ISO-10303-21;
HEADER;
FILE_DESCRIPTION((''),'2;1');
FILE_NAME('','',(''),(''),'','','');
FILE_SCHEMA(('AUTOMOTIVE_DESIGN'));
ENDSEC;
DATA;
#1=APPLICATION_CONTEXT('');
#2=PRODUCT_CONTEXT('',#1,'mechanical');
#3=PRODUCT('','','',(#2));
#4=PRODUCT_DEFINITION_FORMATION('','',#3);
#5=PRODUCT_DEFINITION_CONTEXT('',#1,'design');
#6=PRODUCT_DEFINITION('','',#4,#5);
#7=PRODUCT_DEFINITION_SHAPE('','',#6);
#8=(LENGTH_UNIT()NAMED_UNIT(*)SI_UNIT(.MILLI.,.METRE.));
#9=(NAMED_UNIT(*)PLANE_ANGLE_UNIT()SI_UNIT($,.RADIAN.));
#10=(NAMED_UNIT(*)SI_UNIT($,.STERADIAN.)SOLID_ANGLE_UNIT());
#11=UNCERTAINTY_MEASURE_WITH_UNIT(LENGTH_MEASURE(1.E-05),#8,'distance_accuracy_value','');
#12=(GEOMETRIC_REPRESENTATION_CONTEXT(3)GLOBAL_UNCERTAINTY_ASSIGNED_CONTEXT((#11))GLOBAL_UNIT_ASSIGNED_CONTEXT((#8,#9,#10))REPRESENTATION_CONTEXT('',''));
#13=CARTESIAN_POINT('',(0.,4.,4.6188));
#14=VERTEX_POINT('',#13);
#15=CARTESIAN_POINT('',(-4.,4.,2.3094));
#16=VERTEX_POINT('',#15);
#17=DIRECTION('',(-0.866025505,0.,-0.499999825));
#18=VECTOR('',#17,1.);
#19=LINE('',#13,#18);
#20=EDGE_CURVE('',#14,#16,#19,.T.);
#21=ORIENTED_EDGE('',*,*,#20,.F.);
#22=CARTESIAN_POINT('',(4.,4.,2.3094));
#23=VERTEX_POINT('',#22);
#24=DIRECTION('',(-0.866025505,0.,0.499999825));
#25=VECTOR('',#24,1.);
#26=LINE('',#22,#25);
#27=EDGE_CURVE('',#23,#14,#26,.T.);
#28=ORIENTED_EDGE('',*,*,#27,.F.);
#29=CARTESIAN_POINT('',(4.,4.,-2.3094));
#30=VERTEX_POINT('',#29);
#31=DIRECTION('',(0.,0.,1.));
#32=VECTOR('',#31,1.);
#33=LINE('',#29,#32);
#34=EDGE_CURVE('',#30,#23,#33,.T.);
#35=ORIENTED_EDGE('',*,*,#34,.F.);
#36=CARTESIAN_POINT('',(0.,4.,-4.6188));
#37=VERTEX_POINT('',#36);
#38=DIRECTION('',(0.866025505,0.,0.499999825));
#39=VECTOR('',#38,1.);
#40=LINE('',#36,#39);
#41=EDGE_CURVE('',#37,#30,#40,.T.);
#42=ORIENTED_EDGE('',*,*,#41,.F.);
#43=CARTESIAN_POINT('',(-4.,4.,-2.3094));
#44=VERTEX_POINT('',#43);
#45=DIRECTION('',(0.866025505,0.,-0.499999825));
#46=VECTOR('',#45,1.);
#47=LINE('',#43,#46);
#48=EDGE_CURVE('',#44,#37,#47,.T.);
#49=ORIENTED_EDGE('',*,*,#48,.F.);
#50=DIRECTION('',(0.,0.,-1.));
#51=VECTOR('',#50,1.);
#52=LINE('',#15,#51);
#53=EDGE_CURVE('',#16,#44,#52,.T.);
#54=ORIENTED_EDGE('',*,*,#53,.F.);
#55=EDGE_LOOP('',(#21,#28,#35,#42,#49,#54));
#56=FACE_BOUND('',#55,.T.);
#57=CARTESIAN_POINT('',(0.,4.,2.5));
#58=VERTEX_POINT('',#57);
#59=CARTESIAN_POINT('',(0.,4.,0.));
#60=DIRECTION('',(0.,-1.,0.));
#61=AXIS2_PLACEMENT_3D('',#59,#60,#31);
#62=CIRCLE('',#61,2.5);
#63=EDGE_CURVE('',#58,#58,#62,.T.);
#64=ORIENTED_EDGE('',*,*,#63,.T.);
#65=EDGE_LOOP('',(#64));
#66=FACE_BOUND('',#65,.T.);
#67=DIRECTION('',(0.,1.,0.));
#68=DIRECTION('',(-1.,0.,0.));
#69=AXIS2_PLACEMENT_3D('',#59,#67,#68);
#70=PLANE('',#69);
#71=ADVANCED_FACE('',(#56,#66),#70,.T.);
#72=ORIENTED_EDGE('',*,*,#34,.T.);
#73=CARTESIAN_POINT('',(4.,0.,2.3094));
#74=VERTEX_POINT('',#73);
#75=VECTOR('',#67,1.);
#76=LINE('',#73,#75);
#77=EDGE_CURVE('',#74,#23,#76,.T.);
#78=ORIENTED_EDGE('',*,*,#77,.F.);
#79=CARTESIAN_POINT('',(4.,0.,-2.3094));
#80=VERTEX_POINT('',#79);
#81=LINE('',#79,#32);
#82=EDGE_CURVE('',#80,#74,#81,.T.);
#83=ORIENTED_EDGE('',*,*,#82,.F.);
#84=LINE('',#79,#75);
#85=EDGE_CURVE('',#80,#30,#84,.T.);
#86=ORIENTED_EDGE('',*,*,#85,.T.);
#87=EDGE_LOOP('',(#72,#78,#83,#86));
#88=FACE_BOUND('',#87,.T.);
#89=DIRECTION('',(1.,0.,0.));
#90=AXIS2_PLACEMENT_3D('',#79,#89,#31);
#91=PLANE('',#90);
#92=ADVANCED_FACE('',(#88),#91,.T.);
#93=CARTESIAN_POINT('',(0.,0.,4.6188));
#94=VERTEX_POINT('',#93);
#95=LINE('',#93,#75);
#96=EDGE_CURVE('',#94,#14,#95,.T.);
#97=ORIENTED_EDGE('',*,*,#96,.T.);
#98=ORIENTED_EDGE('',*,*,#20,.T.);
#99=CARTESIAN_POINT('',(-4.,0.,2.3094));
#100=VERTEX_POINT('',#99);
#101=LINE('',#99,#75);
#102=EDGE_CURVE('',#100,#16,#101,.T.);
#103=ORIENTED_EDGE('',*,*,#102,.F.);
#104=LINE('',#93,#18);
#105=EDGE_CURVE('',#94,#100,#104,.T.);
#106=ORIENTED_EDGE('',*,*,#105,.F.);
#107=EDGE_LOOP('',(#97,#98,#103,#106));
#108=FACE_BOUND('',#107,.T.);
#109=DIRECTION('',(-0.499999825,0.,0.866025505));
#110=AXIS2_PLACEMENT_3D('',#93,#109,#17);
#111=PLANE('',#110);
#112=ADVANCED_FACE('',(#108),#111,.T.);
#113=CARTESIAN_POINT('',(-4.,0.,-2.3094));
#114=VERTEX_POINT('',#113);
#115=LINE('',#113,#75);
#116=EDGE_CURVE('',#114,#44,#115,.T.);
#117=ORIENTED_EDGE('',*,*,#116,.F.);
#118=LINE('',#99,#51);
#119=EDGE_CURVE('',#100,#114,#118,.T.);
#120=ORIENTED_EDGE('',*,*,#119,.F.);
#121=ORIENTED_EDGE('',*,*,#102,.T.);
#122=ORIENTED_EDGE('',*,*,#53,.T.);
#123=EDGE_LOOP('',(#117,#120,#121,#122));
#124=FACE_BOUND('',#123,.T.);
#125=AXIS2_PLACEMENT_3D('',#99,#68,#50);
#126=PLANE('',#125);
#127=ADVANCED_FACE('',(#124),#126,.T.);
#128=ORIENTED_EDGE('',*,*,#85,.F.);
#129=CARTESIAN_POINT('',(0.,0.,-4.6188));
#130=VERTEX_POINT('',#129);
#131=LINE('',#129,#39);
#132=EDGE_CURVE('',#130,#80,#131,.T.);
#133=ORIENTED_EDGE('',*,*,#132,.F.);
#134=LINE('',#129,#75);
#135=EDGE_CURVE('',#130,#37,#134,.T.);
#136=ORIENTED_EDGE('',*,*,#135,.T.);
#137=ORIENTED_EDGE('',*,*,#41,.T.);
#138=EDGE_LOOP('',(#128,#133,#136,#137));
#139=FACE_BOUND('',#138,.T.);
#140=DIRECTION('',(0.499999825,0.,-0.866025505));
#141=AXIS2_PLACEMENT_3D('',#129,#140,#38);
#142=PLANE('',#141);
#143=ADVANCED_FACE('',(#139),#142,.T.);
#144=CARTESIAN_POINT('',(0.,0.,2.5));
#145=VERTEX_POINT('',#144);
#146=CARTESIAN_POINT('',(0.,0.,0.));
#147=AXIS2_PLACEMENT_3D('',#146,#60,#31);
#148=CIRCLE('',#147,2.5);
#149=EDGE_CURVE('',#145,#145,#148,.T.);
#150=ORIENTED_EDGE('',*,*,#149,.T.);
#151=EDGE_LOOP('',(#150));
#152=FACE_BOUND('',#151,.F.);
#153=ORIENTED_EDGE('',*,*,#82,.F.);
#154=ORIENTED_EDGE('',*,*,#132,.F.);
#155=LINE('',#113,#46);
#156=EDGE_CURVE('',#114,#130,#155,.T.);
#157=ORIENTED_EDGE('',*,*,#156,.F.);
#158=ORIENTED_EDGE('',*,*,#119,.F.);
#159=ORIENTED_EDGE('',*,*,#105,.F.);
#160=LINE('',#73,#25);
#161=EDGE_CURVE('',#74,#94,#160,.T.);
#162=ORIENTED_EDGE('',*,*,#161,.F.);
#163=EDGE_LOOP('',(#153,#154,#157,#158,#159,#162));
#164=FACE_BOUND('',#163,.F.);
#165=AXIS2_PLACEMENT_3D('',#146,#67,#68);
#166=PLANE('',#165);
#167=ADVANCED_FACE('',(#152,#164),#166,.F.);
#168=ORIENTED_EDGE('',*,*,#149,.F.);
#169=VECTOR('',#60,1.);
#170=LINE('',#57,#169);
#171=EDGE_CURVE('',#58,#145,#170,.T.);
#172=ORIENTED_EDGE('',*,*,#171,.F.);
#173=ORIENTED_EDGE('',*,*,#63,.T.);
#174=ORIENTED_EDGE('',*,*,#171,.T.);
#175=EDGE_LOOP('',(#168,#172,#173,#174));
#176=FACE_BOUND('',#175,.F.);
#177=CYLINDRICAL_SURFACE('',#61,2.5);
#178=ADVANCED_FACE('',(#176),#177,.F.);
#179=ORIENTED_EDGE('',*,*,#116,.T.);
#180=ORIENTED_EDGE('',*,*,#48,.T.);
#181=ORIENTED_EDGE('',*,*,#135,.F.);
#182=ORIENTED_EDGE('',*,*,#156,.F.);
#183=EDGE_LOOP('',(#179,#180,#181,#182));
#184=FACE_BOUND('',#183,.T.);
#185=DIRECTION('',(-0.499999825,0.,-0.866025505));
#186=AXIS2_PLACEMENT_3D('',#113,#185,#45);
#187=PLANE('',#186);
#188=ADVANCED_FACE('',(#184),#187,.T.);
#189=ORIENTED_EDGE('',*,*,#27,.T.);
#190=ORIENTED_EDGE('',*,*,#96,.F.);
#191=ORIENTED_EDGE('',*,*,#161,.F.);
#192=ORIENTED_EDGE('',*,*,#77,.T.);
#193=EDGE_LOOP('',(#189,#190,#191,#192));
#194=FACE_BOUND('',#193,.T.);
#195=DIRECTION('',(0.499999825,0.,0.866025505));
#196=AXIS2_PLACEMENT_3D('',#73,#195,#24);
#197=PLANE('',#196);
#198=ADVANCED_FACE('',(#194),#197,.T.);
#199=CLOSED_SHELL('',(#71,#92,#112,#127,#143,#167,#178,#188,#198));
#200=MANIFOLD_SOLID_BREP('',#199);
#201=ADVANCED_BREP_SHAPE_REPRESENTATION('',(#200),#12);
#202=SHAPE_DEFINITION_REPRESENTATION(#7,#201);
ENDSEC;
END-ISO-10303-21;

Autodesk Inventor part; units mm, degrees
ref_plane "YZ Plane" through (0, 0, 0) normal (1, 0, 0) x (0, 1, 0)
ref_plane "XZ Plane" through (0, 0, 0) normal (0, 1, 0) x (-1, 0, 0)
ref_plane "XY Plane" through (0, 0, 0) normal (0, 0, 1) x (1, 0, 0)
sketch "スケッチ1" plane through (0, 0, 0) normal (0, 1, 0) x (-1, 0, 0)
  line L0 (0, 4.6188) -> (4, 2.3094)
  line L1 (-4, 2.3094) -> (0, 4.6188)
  line L2 (-4, -2.3094) -> (-4, 2.3094)
  line L3 (0, -4.6188) -> (-4, -2.3094)
  line L4 (4, -2.3094) -> (0, -4.6188)
  line L5 (4, 2.3094) -> (4, -2.3094)
  point P0 (0, 0)
  point P1 (0, 0)
  point P2 (0, 4.6188)
  point P3 (0, -4.6188)
  dimension "d2" = 360
  dimension "d4" = 8
extrude "押し出し1" add sketch "スケッチ1" along normal blind 4
sketch "スケッチ2" plane through (0, 4, 0) normal (0, 1, 0) x (1, 0, 0)
  point P0 (0, 0)
  point P1 (0, 0)
hole "穴1" at (0, 4, 0) direction (0, -1, 0) diameter 5 end through all
thread "ねじ1" size "M5x0.8" class "6H" standard "ANSI Metric M Profile" full length
properties part number "KOGANEI_unkown_35_M5Nut" material "ステンレス鋼 440C"
